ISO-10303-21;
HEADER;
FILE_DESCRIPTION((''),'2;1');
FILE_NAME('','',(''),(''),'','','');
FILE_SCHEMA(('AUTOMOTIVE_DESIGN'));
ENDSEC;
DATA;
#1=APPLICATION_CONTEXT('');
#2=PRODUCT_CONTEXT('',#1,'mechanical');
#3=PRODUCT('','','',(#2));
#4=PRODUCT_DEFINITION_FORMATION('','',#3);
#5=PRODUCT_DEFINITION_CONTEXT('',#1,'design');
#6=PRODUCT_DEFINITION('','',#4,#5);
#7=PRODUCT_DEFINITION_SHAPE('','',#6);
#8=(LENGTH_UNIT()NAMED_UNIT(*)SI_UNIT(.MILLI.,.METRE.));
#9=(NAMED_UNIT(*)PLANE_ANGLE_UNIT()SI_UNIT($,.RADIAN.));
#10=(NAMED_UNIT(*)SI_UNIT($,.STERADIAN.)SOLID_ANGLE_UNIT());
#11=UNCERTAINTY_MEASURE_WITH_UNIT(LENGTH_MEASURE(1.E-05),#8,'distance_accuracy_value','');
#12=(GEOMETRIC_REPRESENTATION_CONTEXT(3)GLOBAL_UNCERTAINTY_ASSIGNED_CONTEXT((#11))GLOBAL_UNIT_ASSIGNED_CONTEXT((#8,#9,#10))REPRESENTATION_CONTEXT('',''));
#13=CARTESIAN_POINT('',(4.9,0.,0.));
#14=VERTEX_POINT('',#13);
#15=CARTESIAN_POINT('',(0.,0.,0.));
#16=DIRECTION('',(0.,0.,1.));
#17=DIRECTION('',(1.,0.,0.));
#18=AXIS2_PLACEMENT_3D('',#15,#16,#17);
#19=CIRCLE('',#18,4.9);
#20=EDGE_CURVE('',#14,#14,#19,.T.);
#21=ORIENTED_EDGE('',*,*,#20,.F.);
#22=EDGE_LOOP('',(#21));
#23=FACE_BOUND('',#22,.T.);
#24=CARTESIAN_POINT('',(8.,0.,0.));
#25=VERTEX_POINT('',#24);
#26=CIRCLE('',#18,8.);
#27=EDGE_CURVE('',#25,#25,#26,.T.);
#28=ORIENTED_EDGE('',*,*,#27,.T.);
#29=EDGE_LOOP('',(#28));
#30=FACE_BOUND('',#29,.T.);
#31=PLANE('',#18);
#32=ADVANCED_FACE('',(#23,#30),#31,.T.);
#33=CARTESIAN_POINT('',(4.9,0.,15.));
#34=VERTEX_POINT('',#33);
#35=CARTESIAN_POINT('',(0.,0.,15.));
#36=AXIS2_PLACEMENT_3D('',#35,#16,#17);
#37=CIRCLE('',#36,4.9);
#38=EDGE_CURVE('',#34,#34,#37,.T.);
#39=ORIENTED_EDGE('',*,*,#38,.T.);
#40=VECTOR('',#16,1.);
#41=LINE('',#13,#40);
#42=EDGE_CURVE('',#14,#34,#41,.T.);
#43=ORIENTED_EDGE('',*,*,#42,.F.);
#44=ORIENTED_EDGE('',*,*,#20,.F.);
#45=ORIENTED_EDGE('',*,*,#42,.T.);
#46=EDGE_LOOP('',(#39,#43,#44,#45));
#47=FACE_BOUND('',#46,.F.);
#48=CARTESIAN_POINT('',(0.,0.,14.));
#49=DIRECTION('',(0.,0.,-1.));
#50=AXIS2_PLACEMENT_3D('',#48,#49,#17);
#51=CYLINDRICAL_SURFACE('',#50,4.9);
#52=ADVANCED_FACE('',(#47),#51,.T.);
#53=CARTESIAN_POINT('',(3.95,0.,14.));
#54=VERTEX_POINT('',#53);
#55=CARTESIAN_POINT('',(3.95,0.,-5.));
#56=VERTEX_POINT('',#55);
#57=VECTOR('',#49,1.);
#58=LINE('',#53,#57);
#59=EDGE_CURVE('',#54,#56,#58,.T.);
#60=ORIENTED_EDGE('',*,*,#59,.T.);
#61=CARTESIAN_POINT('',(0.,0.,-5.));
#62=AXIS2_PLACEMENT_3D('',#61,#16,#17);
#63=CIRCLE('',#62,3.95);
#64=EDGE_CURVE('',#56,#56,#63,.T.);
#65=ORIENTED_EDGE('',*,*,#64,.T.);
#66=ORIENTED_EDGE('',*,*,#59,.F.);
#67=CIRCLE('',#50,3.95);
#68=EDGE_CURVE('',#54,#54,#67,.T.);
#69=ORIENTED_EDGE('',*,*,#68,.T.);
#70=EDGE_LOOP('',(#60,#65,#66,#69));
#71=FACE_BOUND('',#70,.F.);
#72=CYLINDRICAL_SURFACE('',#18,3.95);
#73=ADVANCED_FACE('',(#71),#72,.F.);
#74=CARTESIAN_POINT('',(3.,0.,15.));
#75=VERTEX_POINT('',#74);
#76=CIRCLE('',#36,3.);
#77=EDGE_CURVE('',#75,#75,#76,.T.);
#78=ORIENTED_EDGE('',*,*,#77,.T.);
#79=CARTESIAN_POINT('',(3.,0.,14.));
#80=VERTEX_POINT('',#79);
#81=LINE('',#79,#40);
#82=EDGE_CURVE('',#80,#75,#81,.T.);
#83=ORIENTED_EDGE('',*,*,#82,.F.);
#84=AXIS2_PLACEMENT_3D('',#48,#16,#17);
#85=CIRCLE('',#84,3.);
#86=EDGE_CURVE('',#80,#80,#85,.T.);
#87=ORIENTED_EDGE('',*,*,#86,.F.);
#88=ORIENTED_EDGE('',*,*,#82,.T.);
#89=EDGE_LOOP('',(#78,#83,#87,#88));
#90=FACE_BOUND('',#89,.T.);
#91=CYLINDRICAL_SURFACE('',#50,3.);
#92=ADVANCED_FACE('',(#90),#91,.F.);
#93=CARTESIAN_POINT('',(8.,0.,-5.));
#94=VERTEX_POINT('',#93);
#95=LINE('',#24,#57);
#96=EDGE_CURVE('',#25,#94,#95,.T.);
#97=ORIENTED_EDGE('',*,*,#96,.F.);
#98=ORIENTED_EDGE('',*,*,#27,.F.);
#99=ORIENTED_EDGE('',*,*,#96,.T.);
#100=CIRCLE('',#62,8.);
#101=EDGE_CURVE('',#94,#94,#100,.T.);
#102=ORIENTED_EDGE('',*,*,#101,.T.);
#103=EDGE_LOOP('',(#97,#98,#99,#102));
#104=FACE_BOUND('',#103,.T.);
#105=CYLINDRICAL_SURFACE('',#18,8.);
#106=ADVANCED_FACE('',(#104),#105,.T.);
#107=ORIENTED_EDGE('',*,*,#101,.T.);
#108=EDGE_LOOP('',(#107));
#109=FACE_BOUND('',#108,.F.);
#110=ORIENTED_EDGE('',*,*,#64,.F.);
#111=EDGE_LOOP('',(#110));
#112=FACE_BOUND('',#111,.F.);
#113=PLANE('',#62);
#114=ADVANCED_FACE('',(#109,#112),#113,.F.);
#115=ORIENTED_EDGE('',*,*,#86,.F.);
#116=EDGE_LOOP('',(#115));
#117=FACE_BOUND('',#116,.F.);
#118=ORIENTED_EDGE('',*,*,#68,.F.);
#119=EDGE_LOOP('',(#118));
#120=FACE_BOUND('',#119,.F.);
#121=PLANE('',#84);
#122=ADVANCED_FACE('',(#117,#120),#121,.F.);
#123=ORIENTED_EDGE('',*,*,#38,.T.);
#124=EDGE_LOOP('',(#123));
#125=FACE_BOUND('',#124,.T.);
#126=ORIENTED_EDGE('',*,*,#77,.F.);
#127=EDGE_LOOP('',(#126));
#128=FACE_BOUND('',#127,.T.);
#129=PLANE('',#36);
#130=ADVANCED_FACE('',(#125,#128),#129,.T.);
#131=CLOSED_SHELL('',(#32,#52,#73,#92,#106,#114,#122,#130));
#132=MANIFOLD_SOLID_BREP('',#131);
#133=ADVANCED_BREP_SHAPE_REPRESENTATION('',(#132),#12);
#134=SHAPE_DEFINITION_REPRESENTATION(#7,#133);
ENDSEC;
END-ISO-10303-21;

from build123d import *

# Parameters (mm, degrees)
F0_R          = 4.9
F1_DEPTH      = 14
F2_R          = 8
F3_DEPTH      = 5
F4_R          = 3.95
F5_DEPTH      = 25
F5_DEPTH_BACK = 25
F7_R          = 4.9
F7_R_2        = 3
F8_DEPTH      = 1


with BuildPart() as f1:
    # F0 (on Top) → F1 (new body)
    with BuildSketch(Plane.XY):
        Circle(F0_R)
    extrude(amount=F1_DEPTH)

    # F2 (on Top) → F3 (join)
    with BuildSketch(Plane.XY):
        Circle(F2_R)
    extrude(amount=-F3_DEPTH)

    # F4 (on Top) → F5 (cut, two sides)
    with BuildSketch(Plane.XY) as f5_sk:
        Circle(F4_R)
    extrude(amount=-F5_DEPTH, mode=Mode.SUBTRACT)
    extrude(f5_sk.sketch, amount=F5_DEPTH_BACK, mode=Mode.SUBTRACT)

    # F7 (on offset) → F8 (join)
    with BuildSketch(Plane.XY.offset(14)):
        Circle(F7_R)
        Circle(F7_R_2, mode=Mode.SUBTRACT)
    extrude(amount=F8_DEPTH)


solid = f1.part
